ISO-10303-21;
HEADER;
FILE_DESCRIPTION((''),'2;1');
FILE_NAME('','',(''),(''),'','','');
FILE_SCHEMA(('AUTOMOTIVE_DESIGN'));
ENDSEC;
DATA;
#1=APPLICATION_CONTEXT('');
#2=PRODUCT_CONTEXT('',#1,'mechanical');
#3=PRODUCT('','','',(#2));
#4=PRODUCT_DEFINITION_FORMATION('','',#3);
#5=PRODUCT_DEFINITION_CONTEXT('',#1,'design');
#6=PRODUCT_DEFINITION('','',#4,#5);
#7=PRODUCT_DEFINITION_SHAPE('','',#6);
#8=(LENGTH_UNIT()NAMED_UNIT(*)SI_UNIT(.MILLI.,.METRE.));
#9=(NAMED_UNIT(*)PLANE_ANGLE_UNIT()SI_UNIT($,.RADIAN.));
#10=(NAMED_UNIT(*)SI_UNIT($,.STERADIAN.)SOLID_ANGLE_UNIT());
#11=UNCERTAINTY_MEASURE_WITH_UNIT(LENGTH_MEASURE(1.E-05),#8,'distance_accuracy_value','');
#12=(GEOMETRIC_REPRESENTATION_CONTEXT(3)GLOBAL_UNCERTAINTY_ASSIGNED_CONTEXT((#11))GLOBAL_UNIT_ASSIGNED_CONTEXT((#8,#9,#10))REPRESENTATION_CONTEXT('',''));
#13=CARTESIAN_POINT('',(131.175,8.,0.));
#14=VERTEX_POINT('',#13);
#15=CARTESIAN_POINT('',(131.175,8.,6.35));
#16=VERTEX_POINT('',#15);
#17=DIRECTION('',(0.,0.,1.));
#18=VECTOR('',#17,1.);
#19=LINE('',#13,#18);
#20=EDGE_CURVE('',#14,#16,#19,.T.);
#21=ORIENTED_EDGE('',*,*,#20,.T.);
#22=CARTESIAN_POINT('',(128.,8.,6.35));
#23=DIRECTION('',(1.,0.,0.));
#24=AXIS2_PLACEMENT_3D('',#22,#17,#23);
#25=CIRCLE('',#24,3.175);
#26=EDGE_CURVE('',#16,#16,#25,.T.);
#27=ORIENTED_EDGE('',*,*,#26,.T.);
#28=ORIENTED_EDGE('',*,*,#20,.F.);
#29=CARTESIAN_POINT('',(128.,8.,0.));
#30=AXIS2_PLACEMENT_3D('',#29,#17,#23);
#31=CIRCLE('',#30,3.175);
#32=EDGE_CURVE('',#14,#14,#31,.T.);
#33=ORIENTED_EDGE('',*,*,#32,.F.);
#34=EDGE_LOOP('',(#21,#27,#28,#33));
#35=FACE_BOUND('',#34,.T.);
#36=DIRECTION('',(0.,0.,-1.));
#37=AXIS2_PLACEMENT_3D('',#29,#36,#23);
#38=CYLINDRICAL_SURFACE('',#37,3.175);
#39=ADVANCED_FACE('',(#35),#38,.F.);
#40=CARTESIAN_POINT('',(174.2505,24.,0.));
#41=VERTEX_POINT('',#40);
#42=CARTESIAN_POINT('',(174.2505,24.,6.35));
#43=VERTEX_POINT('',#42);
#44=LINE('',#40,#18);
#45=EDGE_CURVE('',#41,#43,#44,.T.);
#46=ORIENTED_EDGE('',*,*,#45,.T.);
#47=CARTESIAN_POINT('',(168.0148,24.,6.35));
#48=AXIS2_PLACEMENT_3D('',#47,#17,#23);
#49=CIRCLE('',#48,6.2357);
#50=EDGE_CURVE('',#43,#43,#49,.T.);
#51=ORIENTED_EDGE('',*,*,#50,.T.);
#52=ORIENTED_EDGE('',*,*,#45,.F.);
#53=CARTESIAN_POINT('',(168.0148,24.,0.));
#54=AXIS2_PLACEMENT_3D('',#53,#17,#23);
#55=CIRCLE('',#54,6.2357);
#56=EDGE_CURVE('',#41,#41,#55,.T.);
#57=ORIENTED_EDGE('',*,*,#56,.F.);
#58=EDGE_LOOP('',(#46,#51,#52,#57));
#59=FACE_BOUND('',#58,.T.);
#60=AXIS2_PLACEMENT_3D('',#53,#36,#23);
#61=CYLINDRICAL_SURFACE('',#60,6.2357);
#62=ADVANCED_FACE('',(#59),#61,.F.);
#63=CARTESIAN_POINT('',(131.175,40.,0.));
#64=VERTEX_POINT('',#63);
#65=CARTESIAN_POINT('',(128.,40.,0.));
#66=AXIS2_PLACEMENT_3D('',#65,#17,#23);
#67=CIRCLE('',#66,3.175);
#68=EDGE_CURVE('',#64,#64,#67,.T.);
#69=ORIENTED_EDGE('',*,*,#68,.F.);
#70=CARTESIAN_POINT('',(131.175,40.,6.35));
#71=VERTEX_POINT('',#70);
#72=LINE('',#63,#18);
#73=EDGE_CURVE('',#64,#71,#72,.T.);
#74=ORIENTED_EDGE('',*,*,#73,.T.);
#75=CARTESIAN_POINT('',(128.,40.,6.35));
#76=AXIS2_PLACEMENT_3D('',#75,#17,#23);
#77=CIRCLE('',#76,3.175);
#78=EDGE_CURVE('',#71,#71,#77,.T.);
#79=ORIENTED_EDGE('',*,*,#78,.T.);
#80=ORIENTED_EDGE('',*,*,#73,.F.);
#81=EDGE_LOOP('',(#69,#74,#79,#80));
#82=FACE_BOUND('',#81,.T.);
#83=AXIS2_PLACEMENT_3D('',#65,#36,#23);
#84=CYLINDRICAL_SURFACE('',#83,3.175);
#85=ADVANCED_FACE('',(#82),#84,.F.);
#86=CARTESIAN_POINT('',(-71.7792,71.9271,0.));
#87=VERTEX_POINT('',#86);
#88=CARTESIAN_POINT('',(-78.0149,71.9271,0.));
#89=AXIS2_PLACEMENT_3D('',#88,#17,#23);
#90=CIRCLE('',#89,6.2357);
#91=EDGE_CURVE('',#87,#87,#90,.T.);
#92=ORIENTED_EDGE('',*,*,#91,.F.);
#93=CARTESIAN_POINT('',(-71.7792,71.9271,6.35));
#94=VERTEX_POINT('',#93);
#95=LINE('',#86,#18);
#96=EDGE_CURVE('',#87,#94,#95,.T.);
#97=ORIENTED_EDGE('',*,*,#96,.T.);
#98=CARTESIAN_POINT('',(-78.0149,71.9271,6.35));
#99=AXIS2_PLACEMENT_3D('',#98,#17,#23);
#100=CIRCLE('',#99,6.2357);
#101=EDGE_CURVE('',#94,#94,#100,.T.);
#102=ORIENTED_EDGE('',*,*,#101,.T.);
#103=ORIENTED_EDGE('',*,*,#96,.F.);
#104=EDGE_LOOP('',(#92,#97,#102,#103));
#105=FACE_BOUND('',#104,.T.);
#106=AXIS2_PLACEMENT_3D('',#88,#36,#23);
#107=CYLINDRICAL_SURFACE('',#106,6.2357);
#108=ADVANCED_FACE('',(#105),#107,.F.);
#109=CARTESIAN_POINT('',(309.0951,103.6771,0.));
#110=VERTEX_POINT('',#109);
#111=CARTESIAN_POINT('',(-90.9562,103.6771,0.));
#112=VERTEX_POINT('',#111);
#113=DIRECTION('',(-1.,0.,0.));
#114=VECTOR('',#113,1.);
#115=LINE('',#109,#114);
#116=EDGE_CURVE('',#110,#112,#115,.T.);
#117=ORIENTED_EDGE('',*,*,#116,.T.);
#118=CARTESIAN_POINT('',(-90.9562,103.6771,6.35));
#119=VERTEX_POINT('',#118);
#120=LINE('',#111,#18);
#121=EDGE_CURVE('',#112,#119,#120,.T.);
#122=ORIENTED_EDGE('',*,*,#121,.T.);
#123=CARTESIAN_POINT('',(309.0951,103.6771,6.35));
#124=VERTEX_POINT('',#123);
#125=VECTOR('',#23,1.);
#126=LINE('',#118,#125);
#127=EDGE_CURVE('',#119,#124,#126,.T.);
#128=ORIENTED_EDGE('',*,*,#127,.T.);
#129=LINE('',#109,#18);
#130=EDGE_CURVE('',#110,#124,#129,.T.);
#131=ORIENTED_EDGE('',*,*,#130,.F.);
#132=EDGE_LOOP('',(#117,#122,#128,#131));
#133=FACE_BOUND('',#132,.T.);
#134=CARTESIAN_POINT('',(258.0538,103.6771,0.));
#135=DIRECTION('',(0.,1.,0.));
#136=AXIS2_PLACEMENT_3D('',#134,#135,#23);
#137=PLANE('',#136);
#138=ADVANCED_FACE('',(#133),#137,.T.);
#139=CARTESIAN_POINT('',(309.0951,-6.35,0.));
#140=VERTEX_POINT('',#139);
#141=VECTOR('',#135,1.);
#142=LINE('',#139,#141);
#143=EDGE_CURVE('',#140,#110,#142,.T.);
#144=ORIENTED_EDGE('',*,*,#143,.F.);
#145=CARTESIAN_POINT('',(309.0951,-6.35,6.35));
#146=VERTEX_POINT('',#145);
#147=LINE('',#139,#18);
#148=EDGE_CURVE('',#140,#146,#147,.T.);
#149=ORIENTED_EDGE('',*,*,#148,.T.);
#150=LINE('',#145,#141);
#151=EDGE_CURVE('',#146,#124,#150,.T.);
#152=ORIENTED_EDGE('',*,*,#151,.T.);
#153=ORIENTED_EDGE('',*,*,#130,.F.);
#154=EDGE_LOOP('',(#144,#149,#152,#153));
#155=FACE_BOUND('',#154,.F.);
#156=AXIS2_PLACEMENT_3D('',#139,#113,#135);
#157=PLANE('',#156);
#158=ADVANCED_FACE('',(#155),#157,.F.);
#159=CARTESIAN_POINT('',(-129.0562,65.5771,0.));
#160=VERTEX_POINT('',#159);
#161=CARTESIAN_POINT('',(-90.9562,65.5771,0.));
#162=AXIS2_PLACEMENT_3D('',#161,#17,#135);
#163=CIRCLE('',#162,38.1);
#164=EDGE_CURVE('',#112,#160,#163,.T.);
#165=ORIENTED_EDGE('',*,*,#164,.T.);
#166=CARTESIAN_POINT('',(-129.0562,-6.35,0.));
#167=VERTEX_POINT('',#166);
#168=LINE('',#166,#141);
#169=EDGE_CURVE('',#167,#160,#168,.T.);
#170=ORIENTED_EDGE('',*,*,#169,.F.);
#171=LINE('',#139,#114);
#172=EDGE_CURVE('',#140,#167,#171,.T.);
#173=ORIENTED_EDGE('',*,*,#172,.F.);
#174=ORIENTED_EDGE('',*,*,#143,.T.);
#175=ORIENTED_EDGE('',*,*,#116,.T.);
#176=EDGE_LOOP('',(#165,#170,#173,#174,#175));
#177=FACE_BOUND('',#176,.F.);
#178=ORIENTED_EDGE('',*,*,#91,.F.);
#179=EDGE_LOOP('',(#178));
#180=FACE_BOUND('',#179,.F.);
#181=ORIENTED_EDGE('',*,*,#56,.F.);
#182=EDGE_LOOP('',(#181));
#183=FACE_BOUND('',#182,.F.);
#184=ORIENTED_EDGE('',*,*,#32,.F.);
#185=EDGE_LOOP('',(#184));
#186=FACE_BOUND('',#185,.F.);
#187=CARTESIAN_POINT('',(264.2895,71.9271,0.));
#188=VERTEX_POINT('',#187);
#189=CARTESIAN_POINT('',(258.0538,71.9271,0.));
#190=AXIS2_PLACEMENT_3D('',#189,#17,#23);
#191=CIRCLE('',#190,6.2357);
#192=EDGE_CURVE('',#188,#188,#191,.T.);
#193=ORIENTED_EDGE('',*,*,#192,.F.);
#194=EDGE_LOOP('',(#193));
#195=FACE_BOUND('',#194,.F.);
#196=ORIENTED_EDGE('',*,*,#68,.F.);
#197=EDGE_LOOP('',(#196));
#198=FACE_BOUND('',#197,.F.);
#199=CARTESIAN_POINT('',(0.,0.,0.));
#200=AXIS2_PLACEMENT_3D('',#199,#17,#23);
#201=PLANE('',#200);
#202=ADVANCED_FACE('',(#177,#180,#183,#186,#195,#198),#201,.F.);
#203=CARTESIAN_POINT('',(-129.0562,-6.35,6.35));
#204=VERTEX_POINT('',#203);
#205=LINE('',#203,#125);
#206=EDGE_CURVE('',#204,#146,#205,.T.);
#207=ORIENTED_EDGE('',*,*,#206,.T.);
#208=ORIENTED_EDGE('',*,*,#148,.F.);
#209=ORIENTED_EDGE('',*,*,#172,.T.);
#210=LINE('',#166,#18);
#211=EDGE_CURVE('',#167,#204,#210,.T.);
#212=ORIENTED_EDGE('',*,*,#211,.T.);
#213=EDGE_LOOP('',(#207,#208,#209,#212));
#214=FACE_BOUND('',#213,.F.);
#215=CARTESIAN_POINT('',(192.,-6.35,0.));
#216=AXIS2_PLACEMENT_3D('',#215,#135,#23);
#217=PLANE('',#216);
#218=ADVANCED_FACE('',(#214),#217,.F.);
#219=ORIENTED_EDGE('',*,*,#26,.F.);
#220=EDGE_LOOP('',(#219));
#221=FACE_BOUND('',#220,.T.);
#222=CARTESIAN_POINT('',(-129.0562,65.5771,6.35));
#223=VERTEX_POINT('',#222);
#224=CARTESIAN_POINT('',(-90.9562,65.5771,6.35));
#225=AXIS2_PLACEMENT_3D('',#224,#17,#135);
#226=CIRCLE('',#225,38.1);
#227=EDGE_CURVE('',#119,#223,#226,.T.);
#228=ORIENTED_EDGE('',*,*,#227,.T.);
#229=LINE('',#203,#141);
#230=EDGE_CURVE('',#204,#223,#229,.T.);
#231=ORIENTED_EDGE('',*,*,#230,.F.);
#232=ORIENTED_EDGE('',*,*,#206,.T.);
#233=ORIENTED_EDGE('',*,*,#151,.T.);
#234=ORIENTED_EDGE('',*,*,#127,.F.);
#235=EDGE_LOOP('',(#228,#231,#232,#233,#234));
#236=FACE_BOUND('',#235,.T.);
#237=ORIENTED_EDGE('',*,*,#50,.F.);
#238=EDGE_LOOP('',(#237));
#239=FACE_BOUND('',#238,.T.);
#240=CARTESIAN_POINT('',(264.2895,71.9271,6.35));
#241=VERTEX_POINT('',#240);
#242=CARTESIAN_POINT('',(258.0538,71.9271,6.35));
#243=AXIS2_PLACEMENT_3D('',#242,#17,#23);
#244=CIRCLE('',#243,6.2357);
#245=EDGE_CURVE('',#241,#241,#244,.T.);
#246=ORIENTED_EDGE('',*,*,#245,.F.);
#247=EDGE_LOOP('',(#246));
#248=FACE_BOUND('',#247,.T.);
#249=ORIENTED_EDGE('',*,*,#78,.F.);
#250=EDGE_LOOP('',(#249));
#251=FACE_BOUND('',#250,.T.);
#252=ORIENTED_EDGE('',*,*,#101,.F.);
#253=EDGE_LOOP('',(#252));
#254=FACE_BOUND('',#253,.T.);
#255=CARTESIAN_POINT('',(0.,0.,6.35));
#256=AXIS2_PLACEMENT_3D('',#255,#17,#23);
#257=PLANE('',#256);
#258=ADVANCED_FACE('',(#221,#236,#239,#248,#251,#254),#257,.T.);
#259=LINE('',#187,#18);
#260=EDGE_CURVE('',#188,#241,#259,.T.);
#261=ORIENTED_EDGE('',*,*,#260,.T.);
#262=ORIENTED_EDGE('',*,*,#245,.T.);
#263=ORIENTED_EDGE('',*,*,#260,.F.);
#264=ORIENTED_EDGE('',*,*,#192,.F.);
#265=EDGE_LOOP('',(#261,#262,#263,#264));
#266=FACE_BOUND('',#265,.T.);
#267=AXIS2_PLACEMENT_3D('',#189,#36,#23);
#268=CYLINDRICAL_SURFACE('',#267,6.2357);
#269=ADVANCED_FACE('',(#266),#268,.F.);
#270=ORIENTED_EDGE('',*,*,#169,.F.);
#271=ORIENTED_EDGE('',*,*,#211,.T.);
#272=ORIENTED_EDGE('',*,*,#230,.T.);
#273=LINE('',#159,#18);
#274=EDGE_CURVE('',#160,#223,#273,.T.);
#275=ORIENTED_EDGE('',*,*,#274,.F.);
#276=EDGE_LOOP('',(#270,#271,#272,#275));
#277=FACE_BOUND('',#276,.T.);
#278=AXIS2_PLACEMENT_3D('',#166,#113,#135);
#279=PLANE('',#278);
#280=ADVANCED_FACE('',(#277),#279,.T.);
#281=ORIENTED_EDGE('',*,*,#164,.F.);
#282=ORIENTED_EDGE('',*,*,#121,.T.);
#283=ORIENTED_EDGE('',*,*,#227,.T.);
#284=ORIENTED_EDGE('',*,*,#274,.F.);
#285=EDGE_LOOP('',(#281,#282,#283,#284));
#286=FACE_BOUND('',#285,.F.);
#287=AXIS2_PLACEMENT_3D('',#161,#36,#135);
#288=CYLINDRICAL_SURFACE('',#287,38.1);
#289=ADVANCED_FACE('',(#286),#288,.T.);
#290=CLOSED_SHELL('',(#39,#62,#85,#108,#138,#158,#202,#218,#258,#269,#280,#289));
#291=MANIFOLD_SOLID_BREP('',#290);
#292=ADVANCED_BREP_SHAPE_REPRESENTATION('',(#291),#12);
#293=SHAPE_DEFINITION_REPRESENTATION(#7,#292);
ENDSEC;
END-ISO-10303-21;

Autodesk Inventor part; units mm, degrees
ref_plane "YZ Plane" through (0, 0, 0) normal (1, 0, 0) x (0, 1, 0)
ref_plane "XZ Plane" through (0, 0, 0) normal (0, 1, 0) x (-1, 0, 0)
ref_plane "XY Plane" through (0, 0, 0) normal (0, 0, 1) x (1, 0, 0)
ref_plane "Work Plane1" through (0, 0, 0) normal (0, 0, 1) x (1, 0, 0)
sketch "Sketch1" plane through (0, 0, 0) normal (0, 0, 1) x (1, 0, 0)
  circle A0 centre (258.0538, 71.9271) radius 7 construction
  circle A1 centre (-78.0149, 71.9271) radius 7 construction
  circle A2 centre (258.0538, 71.9271) radius 6.2357
  circle A3 centre (-78.0149, 71.9271) radius 6.2357
  line L0 (258.0538, 71.9271) -> (-78.0149, 71.9271) construction
  line L1 (258.0538, 71.9271) -> (258.0538, 103.6771) construction
  line L2 (-78.0149, 71.9271) -> (-78.0149, 103.6771) construction
  line L3 (258.0538, 103.6771) -> (-78.0149, 103.6771)
  line L4 (-78.0149, 103.6771) -> (-90.9562, 103.6771)
  line L5 (258.0538, 103.6771) -> (309.0951, 103.6771)
  line L6 (0, 0) -> (192, 0) construction
  line L7 (192, 0) -> (192, -6.35) construction
  line L8 (192, -6.35) -> (309.0951, -6.35)
  line L9 (309.0951, -6.35) -> (309.0951, 103.6771)
  line L10 (192, -6.35) -> (-129.0562, -6.35)
  line L11 (-129.0562, -6.35) -> (-129.0562, 65.5771)
  arc A4 (-90.9562, 103.6771) -> (-129.0562, 65.5771) centre (-90.9562, 65.5771) ccw
  arc A5 (164.9838, 25.75) -> (164.9838, 22.25) centre (168.0148, 24) ccw construction
  circle A6 centre (168.0148, 24) radius 6.2357
  circle A7 centre (128, 8) radius 2 construction
  circle A8 centre (128, 40) radius 2 construction
  circle A9 centre (128, 8) radius 3.175
  circle A10 centre (128, 40) radius 3.175
  circle A11 centre (24, 72) radius 4.83 construction
  circle A12 centre (24, 72) radius 6.2357
  circle A13 centre (64, 56) radius 2 construction
  circle A14 centre (64, 88) radius 2 construction
  circle A15 centre (64, 56) radius 3.175
  circle A16 centre (64, 88) radius 3.175
  circle A17 centre (8, 8) radius 2 construction
  circle A18 centre (8, 40) radius 2 construction
  circle A19 centre (184, 8) radius 2 construction
  circle A20 centre (184, 40) radius 2 construction
  circle A21 centre (184, 8) radius 1.778
  circle A22 centre (184, 40) radius 1.778
  circle A23 centre (8, 8) radius 1.778
  circle A24 centre (8, 40) radius 1.778
  point P0 (-129.0562, 103.6771)
  dimension "d0" = 12.4714
  dimension "d1" = 12.4714
  dimension "d2" = 31.75
  dimension "d3" = 31.75
  dimension "d4" = 51.0413
  dimension "d5" = 51.0413
  dimension "d6" = 6.35
  dimension "d7" = 38.1
  dimension "d8" = 12.4714
  dimension "d9" = 6.35
  dimension "d10" = 6.35
  dimension "d13" = 12.4714
  dimension "d14" = 6.35
  dimension "d15" = 6.35
  dimension "d16" = 3.556
  dimension "d17" = 3.556
  dimension "d18" = 3.556
  dimension "d19" = 3.556
extrude "Extrusion1" add sketch "Sketch1" along normal blind 6.35 contours L5 L9 L8 L10 L11 A4 L4 L3 | A12 | A15 | A16 | A21 | A22 | A23 | A24
properties part number "new side of drivetrain"
